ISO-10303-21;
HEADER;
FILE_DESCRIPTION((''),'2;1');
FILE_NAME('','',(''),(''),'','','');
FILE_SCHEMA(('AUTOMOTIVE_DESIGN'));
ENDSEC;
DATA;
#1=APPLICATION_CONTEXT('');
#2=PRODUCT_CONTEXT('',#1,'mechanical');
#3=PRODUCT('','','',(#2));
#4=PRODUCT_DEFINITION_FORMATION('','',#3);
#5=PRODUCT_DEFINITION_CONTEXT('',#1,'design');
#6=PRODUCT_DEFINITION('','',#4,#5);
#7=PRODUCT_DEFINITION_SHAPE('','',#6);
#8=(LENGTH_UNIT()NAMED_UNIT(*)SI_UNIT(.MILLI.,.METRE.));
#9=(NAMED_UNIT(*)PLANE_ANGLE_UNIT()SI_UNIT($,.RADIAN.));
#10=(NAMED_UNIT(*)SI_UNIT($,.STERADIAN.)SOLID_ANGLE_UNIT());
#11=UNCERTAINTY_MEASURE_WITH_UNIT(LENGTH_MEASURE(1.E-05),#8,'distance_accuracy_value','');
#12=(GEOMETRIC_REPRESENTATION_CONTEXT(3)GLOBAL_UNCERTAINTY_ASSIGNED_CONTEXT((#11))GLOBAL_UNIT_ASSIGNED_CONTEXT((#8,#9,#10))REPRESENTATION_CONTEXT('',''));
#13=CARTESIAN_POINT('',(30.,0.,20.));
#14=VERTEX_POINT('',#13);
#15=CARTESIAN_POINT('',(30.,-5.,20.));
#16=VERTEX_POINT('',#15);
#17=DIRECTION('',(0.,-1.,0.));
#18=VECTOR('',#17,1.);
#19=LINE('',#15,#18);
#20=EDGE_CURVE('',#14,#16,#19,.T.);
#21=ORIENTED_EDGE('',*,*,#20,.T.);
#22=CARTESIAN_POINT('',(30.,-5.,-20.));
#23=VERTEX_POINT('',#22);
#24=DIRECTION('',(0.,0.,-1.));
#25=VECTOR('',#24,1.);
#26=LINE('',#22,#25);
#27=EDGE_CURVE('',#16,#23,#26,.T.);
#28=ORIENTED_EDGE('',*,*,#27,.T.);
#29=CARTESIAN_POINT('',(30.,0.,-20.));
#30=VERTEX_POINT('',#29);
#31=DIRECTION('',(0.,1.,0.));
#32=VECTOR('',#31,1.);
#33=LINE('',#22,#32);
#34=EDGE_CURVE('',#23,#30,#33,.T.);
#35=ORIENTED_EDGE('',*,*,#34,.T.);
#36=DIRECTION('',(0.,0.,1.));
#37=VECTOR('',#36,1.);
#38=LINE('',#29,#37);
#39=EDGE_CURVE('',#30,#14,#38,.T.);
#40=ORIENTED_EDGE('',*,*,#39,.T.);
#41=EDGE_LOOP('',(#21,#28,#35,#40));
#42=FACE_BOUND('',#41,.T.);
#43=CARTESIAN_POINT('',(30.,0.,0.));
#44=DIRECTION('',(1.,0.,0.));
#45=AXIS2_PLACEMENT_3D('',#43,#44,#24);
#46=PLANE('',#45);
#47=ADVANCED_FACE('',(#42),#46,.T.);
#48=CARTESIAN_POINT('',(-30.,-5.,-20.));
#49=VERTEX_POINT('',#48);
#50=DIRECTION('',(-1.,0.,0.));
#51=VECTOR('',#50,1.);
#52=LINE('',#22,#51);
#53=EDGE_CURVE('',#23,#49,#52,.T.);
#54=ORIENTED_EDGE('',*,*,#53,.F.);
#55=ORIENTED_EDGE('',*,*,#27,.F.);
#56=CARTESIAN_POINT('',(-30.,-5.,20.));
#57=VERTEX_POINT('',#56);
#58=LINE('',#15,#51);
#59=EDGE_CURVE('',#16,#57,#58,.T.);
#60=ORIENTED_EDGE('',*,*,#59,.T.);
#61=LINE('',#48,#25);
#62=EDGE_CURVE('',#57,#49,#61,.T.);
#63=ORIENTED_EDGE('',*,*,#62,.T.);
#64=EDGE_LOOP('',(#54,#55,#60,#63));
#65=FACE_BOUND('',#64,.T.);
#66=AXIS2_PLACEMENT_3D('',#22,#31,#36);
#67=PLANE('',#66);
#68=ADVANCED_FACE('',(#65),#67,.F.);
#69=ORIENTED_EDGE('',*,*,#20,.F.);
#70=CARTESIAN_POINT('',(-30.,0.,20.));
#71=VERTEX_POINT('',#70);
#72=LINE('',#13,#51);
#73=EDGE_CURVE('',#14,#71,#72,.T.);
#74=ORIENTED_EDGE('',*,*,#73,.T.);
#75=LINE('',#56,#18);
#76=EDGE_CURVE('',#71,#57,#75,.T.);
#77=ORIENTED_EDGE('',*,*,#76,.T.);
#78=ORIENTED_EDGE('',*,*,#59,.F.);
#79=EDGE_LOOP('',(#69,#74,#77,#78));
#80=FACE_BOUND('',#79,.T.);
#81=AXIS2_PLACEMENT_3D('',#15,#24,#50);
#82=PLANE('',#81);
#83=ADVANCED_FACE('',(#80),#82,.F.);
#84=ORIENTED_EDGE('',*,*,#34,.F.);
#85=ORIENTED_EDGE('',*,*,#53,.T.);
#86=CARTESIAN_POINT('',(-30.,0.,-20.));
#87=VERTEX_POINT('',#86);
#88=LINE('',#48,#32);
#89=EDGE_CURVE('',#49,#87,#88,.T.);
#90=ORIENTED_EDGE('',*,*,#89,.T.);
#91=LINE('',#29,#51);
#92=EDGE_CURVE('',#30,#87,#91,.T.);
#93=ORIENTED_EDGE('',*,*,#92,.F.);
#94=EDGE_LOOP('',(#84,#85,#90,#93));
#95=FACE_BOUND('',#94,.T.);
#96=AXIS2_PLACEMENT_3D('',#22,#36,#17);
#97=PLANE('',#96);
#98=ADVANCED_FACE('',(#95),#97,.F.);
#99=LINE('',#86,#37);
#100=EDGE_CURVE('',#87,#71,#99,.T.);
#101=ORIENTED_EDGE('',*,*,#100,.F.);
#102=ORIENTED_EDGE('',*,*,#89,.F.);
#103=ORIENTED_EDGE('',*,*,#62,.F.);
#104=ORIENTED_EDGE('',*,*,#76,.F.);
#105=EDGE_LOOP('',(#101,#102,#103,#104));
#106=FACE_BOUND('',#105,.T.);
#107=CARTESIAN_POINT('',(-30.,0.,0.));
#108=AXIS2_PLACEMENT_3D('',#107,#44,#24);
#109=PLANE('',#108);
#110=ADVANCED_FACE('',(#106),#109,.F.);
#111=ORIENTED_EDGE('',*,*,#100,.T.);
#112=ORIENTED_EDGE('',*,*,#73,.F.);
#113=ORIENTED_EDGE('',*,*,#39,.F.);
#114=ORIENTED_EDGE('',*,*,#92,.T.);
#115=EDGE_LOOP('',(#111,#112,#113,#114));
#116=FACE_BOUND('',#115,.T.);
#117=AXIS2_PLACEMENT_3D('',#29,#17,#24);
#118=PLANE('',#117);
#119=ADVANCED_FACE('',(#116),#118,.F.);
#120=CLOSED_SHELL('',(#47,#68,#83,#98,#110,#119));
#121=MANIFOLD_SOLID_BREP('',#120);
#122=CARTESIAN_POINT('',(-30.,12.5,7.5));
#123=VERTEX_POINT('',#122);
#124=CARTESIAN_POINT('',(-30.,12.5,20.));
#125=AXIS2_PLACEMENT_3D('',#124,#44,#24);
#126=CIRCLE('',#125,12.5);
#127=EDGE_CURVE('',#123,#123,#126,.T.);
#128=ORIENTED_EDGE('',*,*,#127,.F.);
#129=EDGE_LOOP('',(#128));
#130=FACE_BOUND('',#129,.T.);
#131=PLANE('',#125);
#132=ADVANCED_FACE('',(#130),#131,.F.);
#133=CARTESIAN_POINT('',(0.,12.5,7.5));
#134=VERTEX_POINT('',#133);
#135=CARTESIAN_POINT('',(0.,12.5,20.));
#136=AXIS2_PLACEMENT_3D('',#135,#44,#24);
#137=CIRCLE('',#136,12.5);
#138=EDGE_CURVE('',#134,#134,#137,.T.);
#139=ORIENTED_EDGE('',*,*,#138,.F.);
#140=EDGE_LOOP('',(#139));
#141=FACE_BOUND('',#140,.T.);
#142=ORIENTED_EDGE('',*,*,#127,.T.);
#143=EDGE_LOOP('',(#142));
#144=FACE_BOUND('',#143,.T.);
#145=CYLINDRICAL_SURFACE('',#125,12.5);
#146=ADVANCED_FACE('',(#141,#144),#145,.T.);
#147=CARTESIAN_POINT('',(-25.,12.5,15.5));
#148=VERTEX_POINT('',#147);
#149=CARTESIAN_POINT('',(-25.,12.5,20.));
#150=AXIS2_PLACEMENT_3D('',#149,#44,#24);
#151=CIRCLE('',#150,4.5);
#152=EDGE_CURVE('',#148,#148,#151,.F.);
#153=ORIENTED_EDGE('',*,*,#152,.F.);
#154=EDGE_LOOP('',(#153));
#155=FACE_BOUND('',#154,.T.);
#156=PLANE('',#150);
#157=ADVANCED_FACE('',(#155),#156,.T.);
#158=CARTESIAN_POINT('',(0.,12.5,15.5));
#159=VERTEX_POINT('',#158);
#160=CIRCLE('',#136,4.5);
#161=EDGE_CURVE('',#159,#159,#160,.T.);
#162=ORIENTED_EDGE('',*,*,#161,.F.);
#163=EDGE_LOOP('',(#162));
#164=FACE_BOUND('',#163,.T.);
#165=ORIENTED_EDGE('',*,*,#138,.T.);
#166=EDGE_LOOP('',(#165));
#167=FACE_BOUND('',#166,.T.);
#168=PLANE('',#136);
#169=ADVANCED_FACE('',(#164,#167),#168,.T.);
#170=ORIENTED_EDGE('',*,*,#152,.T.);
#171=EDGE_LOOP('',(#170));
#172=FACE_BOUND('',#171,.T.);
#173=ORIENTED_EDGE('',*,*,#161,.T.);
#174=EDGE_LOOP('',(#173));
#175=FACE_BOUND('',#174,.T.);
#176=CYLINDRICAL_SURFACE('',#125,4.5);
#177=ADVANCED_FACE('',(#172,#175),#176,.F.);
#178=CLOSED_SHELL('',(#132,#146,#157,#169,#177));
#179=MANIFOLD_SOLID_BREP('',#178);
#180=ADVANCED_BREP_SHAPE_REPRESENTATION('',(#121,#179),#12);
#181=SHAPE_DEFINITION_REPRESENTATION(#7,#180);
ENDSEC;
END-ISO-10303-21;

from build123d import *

# Parameters (mm, degrees)
SKETCH_4_W       = 40
SKETCH_4_H       = 5
EXTRUDE_5_DEPTH  = 30
SKETCH_9_R       = 12.5
SKETCH_9_R_2     = 4.5
EXTRUDE_8_DEPTH  = 30
EXTRUDE_START    = -30
SKETCH_9_2_R     = 12.5
EXTRUDE_10_DEPTH = 5


with BuildPart() as part:
    # Эскиз4 → Бобышка-Вытянуть5 (new, symmetric)
    with BuildSketch(Plane(origin=(0, 0, 0), x_dir=(0, 0, -1), z_dir=(1, 0, 0))):
        with Locations((0, -2.5)):
            Rectangle(SKETCH_4_W, SKETCH_4_H)
    extrude(amount=EXTRUDE_5_DEPTH, both=True)


with BuildPart() as body_2:
    # Эскиз9 → Вытянуть-Тонкостенный8 (new body)
    with BuildSketch(Plane(origin=(0, 0, 0), x_dir=(0, 0, -1), z_dir=(1, 0, 0))):
        with Locations((-20, 12.5)):
            Circle(SKETCH_9_R)
        with Locations((-20, 12.5)):
            Circle(SKETCH_9_R_2, mode=Mode.SUBTRACT)
    extrude(amount=-EXTRUDE_8_DEPTH)

    # Эскиз9<2> → Бобышка-Вытянуть10 (add)
    with BuildSketch(Plane(origin=(0, 0, 0), x_dir=(0, 0, -1), z_dir=(1, 0, 0)).offset(EXTRUDE_START)):
        with Locations((-20, 12.5)):
            Circle(SKETCH_9_2_R)
    extrude(amount=EXTRUDE_10_DEPTH)


solid = Compound([part.part, body_2.part])
